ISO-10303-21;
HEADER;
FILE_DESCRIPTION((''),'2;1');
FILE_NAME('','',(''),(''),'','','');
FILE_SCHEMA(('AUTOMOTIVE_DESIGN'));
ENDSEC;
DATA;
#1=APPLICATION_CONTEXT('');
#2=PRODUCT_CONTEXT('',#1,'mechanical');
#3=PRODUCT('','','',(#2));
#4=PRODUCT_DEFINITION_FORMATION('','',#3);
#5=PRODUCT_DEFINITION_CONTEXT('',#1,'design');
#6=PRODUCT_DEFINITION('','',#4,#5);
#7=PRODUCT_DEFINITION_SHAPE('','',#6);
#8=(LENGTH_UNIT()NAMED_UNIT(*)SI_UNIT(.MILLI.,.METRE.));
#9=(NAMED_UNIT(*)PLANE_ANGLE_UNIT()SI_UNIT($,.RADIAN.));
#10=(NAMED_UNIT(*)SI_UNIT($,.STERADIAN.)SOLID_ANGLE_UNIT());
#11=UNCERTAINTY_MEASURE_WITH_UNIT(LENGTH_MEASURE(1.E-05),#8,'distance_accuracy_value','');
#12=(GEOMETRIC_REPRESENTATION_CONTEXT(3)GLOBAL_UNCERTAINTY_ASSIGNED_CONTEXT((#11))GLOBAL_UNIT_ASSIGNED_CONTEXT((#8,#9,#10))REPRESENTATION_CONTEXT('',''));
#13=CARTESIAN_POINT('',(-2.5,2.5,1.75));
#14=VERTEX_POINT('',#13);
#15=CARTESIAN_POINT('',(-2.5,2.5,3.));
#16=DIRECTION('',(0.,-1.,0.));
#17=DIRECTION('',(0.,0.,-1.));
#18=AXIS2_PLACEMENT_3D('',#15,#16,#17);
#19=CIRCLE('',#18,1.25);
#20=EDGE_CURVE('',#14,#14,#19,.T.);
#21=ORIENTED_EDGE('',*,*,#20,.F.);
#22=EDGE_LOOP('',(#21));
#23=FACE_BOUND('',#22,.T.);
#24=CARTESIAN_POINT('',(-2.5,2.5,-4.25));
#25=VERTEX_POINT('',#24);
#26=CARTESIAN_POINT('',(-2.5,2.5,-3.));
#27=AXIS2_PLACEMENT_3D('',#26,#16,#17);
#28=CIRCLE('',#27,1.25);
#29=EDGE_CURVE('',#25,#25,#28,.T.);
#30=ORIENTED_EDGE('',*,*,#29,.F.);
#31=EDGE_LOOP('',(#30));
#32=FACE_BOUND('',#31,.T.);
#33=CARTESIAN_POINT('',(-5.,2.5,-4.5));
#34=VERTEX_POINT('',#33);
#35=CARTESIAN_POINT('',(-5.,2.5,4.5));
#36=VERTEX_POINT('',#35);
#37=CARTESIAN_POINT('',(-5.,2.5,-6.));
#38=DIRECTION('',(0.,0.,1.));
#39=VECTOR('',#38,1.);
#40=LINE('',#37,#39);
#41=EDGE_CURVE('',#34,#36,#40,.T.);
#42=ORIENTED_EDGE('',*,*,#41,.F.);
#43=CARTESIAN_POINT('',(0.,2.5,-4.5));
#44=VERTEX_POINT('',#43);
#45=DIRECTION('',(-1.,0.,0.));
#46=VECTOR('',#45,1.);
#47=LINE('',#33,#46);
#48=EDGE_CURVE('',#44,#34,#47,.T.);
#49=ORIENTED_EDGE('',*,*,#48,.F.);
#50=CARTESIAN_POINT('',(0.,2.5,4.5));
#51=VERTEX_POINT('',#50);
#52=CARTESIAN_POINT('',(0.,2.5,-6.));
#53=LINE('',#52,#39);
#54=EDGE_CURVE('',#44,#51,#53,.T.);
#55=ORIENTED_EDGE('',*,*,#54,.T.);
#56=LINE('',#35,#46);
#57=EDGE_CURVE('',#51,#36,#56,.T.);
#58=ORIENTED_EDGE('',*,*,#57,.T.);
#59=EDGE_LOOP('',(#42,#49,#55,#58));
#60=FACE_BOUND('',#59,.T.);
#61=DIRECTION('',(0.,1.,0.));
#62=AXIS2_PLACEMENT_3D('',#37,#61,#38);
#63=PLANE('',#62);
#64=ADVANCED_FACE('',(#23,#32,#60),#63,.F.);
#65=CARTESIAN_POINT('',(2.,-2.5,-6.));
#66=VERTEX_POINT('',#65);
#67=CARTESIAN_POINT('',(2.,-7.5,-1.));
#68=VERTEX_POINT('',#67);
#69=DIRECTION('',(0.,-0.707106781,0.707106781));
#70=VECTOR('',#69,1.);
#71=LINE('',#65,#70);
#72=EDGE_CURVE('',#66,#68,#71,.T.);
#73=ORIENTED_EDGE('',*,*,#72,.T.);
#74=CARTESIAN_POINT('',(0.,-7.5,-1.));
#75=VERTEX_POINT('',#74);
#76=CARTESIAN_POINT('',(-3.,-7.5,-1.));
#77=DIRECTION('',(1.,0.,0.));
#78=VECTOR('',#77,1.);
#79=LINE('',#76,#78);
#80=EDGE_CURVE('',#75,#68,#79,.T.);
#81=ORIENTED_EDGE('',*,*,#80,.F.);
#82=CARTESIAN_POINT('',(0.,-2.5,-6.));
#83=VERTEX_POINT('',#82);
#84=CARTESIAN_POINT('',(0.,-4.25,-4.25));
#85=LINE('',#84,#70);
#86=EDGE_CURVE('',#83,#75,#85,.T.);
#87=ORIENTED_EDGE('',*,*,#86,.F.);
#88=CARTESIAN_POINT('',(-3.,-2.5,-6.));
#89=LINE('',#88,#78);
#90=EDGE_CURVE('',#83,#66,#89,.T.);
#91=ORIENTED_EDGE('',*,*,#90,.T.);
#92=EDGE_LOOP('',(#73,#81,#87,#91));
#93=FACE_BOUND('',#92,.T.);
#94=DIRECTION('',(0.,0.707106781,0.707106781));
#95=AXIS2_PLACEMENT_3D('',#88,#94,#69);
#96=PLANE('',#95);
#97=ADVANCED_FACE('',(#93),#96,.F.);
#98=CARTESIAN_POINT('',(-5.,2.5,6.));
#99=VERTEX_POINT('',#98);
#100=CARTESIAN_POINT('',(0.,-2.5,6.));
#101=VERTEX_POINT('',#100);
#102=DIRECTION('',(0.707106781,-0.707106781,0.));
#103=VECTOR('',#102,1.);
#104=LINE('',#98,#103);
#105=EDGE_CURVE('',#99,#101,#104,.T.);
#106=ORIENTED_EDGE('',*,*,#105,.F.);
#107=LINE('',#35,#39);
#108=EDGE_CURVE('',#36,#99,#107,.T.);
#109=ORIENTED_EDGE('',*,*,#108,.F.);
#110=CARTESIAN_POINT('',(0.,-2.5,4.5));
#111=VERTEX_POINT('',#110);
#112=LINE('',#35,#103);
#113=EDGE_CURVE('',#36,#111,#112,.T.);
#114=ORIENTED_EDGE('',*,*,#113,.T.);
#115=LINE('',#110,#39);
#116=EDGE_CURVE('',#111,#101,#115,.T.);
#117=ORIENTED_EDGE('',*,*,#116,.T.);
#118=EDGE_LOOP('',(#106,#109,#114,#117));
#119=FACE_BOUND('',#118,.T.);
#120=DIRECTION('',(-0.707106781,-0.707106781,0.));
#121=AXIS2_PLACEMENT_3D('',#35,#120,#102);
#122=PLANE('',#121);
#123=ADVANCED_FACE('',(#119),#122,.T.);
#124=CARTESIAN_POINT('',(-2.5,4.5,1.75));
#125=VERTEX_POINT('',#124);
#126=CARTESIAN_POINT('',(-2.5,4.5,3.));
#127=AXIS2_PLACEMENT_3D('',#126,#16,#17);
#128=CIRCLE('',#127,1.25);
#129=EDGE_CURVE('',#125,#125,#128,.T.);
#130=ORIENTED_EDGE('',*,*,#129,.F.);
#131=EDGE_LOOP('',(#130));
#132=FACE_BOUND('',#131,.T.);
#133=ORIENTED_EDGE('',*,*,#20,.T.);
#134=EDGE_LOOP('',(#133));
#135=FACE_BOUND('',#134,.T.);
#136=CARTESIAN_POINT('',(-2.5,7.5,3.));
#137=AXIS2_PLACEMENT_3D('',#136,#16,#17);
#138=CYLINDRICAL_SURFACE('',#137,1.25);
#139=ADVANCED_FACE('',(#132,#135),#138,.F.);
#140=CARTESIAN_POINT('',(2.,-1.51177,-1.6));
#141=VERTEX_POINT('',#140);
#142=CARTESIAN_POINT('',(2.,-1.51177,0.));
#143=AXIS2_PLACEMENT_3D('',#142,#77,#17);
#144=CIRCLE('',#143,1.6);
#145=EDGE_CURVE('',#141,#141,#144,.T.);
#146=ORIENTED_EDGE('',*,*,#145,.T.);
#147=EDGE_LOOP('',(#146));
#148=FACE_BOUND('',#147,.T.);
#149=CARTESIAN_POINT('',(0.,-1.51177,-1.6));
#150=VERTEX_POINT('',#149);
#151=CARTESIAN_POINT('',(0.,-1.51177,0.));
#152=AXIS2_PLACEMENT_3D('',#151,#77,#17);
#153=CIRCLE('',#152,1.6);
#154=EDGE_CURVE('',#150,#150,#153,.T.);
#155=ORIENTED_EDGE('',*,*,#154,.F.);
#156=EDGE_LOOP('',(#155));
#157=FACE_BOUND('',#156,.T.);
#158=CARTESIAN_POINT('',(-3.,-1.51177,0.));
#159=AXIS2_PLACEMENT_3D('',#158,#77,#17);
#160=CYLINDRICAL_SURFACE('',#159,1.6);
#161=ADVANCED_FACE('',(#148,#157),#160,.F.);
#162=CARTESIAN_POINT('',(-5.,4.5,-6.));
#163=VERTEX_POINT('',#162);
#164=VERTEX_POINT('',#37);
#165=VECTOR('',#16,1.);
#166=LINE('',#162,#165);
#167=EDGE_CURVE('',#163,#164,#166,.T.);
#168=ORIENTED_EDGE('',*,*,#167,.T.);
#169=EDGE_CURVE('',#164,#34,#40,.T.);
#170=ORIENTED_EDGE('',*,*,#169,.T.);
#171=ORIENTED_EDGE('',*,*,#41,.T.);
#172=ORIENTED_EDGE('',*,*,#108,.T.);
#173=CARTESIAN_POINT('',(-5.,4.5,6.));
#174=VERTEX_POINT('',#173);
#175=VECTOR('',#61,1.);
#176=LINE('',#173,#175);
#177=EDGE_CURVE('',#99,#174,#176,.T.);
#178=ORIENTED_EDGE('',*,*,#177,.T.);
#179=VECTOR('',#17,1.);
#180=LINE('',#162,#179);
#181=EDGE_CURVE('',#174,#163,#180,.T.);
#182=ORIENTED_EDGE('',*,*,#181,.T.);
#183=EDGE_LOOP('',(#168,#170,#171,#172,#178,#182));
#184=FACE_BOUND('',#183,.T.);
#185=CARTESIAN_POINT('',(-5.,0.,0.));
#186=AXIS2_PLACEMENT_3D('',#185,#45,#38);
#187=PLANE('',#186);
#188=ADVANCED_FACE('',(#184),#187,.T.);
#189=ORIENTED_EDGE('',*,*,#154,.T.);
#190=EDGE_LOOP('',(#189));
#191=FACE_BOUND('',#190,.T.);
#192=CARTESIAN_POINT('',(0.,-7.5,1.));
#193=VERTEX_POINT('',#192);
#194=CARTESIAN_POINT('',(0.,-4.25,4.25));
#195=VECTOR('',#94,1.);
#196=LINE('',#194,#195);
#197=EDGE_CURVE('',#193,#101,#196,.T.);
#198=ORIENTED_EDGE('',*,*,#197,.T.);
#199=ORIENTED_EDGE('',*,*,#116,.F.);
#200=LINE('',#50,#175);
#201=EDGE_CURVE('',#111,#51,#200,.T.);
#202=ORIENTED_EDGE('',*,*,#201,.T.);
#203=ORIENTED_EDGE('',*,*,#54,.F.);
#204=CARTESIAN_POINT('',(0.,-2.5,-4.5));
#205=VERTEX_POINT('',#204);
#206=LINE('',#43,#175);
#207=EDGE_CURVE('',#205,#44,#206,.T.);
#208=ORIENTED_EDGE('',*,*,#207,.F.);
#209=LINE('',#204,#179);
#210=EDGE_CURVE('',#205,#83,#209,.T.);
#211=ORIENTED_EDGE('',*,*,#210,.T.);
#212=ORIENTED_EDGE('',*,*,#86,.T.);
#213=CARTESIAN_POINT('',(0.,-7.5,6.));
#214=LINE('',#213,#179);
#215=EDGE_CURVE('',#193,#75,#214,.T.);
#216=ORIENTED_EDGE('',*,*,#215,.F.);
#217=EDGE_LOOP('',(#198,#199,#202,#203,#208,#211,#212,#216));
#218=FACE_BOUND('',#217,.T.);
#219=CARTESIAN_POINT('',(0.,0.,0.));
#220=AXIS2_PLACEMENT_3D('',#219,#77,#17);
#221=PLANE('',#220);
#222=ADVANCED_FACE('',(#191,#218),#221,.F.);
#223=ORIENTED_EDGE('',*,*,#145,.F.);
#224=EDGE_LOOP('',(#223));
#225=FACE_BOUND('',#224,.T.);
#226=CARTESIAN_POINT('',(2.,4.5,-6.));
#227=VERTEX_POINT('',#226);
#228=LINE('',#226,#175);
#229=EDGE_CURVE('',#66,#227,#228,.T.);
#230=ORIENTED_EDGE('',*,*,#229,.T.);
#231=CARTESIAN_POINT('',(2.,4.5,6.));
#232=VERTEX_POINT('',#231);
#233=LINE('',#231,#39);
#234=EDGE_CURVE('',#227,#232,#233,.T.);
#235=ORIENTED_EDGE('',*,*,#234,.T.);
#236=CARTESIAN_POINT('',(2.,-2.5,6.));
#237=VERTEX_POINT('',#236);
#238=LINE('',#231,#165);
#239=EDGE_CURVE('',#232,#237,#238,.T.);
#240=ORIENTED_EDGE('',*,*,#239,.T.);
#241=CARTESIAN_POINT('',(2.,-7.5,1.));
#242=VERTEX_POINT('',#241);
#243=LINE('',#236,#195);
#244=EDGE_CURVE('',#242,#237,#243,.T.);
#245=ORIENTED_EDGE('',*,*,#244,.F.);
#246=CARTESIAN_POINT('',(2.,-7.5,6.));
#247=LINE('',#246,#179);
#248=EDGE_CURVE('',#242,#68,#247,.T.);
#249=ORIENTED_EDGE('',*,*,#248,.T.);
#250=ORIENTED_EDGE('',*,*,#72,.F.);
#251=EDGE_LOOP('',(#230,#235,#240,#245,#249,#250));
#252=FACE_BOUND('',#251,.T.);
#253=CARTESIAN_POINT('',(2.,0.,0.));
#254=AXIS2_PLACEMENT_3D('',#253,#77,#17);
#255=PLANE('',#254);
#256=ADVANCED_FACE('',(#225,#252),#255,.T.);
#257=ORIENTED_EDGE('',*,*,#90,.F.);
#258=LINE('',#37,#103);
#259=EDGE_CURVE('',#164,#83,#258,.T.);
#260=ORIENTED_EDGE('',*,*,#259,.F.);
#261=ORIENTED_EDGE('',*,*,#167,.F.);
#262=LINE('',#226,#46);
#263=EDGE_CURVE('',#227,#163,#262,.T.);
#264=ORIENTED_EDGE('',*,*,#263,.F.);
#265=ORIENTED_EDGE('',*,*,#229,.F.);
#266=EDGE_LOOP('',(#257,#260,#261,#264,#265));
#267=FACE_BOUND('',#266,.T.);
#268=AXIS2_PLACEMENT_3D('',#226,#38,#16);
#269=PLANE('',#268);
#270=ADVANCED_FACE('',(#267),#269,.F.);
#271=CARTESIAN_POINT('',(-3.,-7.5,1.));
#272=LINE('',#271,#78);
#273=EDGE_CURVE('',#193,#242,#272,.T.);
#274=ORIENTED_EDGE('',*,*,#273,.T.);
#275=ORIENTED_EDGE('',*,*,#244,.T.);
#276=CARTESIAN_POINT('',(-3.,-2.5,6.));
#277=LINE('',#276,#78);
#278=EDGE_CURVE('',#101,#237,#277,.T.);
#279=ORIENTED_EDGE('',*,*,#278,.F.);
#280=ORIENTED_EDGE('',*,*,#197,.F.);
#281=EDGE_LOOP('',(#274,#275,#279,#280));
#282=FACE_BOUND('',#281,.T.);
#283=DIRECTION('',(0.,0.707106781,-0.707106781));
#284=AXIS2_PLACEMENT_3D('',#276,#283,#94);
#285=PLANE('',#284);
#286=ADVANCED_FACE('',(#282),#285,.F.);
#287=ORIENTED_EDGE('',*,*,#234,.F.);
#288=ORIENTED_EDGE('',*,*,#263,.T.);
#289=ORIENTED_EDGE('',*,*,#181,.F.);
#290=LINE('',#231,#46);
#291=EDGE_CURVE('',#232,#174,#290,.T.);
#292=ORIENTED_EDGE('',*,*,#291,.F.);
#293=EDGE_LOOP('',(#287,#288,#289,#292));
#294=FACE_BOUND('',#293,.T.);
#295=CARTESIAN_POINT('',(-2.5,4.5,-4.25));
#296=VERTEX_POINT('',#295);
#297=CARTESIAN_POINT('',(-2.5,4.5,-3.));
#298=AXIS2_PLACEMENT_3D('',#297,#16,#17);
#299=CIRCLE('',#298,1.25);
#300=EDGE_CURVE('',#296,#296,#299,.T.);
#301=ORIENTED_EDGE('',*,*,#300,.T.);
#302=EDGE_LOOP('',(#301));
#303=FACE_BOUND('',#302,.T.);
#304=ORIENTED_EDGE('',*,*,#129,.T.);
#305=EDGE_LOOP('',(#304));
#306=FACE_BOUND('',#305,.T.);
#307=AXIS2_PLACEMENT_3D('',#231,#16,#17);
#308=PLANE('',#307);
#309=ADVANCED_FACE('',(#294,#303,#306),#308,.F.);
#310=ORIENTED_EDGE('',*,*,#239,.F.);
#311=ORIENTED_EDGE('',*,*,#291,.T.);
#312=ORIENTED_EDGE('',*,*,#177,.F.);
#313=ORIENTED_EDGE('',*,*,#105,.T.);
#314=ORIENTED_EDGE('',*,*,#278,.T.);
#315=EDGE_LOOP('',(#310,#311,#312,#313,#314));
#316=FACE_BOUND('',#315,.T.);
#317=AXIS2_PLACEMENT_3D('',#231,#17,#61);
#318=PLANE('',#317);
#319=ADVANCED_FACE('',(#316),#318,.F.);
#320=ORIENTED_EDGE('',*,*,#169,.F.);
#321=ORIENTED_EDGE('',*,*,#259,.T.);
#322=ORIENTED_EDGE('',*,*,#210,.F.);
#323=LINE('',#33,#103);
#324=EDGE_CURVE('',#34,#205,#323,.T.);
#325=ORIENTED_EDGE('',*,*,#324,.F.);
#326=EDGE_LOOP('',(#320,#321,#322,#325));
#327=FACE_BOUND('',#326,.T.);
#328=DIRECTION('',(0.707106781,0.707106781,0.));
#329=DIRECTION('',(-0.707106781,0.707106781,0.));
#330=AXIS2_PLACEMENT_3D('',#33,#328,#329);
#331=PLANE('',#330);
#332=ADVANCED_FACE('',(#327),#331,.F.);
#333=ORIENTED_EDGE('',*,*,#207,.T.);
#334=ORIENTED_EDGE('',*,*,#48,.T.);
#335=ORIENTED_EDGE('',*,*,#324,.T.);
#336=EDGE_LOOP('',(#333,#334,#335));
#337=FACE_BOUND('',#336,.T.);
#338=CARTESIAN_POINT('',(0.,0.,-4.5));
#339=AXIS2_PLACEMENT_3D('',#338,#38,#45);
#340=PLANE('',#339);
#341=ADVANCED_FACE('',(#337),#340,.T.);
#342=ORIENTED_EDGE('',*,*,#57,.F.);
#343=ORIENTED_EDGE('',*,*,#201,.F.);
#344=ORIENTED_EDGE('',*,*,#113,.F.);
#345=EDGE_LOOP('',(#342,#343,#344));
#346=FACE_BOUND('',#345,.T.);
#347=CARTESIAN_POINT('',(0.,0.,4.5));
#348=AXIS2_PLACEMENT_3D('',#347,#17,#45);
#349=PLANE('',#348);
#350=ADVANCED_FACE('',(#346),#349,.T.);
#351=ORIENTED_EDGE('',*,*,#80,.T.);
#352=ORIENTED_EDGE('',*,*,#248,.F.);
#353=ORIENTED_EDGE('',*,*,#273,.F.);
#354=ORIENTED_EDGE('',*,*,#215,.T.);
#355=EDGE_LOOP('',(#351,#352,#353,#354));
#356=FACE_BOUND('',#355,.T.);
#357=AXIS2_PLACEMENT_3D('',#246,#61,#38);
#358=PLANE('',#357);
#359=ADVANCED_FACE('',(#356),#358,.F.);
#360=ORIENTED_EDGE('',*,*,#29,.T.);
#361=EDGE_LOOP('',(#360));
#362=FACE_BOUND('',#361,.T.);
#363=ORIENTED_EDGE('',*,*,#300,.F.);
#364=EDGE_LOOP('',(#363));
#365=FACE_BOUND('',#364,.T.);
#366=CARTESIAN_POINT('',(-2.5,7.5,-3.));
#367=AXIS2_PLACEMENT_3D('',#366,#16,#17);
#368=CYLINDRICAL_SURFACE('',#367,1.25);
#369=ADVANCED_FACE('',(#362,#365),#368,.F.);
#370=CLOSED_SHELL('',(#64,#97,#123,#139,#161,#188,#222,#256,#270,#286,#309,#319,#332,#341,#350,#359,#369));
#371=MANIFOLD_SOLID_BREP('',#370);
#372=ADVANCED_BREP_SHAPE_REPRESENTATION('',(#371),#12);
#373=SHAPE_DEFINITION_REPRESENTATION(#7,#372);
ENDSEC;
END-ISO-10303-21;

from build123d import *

# Parameters (mm, degrees)
SKETCH1_W           = 12
SKETCH1_H           = 12
BOSS_EXTRUDE1_DEPTH = 2
SKETCH3_W           = 12
SKETCH3_H           = 2
BOSS_EXTRUDE2_DEPTH = 5
CUT_EXTRUDE1_DEPTH  = 5
SKETCH5_R           = 1.6
CUT_EXTRUDE2_DEPTH  = 5
SKETCH7_R           = 1.25
CUT_EXTRUDE3_DEPTH  = 5
BOSS_EXTRUDE4_DEPTH = 1.5


with BuildPart() as part:
    # Sketch1 → Boss-Extrude1 (new body)
    with BuildSketch(Plane(origin=(0, 0, 0), x_dir=(0, 0, -1), z_dir=(1, 0, 0))):
        with Locations((0, -1.5)):
            Rectangle(SKETCH1_W, SKETCH1_H)
    extrude(amount=BOSS_EXTRUDE1_DEPTH)

    # Sketch3 → Boss-Extrude2 (add)
    with BuildSketch(Plane.ZY):
        with Locations((0, 3.5)):
            Rectangle(SKETCH3_W, SKETCH3_H)
    extrude(amount=BOSS_EXTRUDE2_DEPTH)

    # Sketch4 → Cut-Extrude1 (cut)
    with BuildSketch(Plane(origin=(2, 0, 0), x_dir=(0, 0, -1), z_dir=(1, 0, 0))):
        Polygon((-6, -2.5), (-1, -7.5), (-6, -7.5), align=None)
        Polygon((1, -7.5), (6, -7.5), (6, -2.5), align=None)
    extrude(amount=-CUT_EXTRUDE1_DEPTH, mode=Mode.SUBTRACT)

    # Sketch5 → Cut-Extrude2 (cut)
    with BuildSketch(Plane(origin=(2, 0, 0), x_dir=(0, 0, -1), z_dir=(1, 0, 0))):
        with Locations((0, -1.511770417)):
            Circle(SKETCH5_R)
    extrude(amount=-CUT_EXTRUDE2_DEPTH, mode=Mode.SUBTRACT)

    # Sketch7 → Cut-Extrude3 (cut)
    with BuildSketch(Plane.XZ.offset(-2.5)):
        with Locations((-2.5, 3)):
            Circle(SKETCH7_R)
        with Locations((-2.5, -3)):
            Circle(SKETCH7_R)
    extrude(amount=-CUT_EXTRUDE3_DEPTH, mode=Mode.SUBTRACT)

    # Sketch8 → Boss-Extrude4 (add)
    with BuildSketch(Plane.XY.offset(6)):
        Polygon((-5, 2.5), (0, 2.5), (0, -2.5), align=None)
    boss_extrude4 = extrude(amount=-BOSS_EXTRUDE4_DEPTH)

    # Mirror1: Boss-Extrude4 across plane
    add(boss_extrude4.mirror(Plane.XY))


solid = part.part
